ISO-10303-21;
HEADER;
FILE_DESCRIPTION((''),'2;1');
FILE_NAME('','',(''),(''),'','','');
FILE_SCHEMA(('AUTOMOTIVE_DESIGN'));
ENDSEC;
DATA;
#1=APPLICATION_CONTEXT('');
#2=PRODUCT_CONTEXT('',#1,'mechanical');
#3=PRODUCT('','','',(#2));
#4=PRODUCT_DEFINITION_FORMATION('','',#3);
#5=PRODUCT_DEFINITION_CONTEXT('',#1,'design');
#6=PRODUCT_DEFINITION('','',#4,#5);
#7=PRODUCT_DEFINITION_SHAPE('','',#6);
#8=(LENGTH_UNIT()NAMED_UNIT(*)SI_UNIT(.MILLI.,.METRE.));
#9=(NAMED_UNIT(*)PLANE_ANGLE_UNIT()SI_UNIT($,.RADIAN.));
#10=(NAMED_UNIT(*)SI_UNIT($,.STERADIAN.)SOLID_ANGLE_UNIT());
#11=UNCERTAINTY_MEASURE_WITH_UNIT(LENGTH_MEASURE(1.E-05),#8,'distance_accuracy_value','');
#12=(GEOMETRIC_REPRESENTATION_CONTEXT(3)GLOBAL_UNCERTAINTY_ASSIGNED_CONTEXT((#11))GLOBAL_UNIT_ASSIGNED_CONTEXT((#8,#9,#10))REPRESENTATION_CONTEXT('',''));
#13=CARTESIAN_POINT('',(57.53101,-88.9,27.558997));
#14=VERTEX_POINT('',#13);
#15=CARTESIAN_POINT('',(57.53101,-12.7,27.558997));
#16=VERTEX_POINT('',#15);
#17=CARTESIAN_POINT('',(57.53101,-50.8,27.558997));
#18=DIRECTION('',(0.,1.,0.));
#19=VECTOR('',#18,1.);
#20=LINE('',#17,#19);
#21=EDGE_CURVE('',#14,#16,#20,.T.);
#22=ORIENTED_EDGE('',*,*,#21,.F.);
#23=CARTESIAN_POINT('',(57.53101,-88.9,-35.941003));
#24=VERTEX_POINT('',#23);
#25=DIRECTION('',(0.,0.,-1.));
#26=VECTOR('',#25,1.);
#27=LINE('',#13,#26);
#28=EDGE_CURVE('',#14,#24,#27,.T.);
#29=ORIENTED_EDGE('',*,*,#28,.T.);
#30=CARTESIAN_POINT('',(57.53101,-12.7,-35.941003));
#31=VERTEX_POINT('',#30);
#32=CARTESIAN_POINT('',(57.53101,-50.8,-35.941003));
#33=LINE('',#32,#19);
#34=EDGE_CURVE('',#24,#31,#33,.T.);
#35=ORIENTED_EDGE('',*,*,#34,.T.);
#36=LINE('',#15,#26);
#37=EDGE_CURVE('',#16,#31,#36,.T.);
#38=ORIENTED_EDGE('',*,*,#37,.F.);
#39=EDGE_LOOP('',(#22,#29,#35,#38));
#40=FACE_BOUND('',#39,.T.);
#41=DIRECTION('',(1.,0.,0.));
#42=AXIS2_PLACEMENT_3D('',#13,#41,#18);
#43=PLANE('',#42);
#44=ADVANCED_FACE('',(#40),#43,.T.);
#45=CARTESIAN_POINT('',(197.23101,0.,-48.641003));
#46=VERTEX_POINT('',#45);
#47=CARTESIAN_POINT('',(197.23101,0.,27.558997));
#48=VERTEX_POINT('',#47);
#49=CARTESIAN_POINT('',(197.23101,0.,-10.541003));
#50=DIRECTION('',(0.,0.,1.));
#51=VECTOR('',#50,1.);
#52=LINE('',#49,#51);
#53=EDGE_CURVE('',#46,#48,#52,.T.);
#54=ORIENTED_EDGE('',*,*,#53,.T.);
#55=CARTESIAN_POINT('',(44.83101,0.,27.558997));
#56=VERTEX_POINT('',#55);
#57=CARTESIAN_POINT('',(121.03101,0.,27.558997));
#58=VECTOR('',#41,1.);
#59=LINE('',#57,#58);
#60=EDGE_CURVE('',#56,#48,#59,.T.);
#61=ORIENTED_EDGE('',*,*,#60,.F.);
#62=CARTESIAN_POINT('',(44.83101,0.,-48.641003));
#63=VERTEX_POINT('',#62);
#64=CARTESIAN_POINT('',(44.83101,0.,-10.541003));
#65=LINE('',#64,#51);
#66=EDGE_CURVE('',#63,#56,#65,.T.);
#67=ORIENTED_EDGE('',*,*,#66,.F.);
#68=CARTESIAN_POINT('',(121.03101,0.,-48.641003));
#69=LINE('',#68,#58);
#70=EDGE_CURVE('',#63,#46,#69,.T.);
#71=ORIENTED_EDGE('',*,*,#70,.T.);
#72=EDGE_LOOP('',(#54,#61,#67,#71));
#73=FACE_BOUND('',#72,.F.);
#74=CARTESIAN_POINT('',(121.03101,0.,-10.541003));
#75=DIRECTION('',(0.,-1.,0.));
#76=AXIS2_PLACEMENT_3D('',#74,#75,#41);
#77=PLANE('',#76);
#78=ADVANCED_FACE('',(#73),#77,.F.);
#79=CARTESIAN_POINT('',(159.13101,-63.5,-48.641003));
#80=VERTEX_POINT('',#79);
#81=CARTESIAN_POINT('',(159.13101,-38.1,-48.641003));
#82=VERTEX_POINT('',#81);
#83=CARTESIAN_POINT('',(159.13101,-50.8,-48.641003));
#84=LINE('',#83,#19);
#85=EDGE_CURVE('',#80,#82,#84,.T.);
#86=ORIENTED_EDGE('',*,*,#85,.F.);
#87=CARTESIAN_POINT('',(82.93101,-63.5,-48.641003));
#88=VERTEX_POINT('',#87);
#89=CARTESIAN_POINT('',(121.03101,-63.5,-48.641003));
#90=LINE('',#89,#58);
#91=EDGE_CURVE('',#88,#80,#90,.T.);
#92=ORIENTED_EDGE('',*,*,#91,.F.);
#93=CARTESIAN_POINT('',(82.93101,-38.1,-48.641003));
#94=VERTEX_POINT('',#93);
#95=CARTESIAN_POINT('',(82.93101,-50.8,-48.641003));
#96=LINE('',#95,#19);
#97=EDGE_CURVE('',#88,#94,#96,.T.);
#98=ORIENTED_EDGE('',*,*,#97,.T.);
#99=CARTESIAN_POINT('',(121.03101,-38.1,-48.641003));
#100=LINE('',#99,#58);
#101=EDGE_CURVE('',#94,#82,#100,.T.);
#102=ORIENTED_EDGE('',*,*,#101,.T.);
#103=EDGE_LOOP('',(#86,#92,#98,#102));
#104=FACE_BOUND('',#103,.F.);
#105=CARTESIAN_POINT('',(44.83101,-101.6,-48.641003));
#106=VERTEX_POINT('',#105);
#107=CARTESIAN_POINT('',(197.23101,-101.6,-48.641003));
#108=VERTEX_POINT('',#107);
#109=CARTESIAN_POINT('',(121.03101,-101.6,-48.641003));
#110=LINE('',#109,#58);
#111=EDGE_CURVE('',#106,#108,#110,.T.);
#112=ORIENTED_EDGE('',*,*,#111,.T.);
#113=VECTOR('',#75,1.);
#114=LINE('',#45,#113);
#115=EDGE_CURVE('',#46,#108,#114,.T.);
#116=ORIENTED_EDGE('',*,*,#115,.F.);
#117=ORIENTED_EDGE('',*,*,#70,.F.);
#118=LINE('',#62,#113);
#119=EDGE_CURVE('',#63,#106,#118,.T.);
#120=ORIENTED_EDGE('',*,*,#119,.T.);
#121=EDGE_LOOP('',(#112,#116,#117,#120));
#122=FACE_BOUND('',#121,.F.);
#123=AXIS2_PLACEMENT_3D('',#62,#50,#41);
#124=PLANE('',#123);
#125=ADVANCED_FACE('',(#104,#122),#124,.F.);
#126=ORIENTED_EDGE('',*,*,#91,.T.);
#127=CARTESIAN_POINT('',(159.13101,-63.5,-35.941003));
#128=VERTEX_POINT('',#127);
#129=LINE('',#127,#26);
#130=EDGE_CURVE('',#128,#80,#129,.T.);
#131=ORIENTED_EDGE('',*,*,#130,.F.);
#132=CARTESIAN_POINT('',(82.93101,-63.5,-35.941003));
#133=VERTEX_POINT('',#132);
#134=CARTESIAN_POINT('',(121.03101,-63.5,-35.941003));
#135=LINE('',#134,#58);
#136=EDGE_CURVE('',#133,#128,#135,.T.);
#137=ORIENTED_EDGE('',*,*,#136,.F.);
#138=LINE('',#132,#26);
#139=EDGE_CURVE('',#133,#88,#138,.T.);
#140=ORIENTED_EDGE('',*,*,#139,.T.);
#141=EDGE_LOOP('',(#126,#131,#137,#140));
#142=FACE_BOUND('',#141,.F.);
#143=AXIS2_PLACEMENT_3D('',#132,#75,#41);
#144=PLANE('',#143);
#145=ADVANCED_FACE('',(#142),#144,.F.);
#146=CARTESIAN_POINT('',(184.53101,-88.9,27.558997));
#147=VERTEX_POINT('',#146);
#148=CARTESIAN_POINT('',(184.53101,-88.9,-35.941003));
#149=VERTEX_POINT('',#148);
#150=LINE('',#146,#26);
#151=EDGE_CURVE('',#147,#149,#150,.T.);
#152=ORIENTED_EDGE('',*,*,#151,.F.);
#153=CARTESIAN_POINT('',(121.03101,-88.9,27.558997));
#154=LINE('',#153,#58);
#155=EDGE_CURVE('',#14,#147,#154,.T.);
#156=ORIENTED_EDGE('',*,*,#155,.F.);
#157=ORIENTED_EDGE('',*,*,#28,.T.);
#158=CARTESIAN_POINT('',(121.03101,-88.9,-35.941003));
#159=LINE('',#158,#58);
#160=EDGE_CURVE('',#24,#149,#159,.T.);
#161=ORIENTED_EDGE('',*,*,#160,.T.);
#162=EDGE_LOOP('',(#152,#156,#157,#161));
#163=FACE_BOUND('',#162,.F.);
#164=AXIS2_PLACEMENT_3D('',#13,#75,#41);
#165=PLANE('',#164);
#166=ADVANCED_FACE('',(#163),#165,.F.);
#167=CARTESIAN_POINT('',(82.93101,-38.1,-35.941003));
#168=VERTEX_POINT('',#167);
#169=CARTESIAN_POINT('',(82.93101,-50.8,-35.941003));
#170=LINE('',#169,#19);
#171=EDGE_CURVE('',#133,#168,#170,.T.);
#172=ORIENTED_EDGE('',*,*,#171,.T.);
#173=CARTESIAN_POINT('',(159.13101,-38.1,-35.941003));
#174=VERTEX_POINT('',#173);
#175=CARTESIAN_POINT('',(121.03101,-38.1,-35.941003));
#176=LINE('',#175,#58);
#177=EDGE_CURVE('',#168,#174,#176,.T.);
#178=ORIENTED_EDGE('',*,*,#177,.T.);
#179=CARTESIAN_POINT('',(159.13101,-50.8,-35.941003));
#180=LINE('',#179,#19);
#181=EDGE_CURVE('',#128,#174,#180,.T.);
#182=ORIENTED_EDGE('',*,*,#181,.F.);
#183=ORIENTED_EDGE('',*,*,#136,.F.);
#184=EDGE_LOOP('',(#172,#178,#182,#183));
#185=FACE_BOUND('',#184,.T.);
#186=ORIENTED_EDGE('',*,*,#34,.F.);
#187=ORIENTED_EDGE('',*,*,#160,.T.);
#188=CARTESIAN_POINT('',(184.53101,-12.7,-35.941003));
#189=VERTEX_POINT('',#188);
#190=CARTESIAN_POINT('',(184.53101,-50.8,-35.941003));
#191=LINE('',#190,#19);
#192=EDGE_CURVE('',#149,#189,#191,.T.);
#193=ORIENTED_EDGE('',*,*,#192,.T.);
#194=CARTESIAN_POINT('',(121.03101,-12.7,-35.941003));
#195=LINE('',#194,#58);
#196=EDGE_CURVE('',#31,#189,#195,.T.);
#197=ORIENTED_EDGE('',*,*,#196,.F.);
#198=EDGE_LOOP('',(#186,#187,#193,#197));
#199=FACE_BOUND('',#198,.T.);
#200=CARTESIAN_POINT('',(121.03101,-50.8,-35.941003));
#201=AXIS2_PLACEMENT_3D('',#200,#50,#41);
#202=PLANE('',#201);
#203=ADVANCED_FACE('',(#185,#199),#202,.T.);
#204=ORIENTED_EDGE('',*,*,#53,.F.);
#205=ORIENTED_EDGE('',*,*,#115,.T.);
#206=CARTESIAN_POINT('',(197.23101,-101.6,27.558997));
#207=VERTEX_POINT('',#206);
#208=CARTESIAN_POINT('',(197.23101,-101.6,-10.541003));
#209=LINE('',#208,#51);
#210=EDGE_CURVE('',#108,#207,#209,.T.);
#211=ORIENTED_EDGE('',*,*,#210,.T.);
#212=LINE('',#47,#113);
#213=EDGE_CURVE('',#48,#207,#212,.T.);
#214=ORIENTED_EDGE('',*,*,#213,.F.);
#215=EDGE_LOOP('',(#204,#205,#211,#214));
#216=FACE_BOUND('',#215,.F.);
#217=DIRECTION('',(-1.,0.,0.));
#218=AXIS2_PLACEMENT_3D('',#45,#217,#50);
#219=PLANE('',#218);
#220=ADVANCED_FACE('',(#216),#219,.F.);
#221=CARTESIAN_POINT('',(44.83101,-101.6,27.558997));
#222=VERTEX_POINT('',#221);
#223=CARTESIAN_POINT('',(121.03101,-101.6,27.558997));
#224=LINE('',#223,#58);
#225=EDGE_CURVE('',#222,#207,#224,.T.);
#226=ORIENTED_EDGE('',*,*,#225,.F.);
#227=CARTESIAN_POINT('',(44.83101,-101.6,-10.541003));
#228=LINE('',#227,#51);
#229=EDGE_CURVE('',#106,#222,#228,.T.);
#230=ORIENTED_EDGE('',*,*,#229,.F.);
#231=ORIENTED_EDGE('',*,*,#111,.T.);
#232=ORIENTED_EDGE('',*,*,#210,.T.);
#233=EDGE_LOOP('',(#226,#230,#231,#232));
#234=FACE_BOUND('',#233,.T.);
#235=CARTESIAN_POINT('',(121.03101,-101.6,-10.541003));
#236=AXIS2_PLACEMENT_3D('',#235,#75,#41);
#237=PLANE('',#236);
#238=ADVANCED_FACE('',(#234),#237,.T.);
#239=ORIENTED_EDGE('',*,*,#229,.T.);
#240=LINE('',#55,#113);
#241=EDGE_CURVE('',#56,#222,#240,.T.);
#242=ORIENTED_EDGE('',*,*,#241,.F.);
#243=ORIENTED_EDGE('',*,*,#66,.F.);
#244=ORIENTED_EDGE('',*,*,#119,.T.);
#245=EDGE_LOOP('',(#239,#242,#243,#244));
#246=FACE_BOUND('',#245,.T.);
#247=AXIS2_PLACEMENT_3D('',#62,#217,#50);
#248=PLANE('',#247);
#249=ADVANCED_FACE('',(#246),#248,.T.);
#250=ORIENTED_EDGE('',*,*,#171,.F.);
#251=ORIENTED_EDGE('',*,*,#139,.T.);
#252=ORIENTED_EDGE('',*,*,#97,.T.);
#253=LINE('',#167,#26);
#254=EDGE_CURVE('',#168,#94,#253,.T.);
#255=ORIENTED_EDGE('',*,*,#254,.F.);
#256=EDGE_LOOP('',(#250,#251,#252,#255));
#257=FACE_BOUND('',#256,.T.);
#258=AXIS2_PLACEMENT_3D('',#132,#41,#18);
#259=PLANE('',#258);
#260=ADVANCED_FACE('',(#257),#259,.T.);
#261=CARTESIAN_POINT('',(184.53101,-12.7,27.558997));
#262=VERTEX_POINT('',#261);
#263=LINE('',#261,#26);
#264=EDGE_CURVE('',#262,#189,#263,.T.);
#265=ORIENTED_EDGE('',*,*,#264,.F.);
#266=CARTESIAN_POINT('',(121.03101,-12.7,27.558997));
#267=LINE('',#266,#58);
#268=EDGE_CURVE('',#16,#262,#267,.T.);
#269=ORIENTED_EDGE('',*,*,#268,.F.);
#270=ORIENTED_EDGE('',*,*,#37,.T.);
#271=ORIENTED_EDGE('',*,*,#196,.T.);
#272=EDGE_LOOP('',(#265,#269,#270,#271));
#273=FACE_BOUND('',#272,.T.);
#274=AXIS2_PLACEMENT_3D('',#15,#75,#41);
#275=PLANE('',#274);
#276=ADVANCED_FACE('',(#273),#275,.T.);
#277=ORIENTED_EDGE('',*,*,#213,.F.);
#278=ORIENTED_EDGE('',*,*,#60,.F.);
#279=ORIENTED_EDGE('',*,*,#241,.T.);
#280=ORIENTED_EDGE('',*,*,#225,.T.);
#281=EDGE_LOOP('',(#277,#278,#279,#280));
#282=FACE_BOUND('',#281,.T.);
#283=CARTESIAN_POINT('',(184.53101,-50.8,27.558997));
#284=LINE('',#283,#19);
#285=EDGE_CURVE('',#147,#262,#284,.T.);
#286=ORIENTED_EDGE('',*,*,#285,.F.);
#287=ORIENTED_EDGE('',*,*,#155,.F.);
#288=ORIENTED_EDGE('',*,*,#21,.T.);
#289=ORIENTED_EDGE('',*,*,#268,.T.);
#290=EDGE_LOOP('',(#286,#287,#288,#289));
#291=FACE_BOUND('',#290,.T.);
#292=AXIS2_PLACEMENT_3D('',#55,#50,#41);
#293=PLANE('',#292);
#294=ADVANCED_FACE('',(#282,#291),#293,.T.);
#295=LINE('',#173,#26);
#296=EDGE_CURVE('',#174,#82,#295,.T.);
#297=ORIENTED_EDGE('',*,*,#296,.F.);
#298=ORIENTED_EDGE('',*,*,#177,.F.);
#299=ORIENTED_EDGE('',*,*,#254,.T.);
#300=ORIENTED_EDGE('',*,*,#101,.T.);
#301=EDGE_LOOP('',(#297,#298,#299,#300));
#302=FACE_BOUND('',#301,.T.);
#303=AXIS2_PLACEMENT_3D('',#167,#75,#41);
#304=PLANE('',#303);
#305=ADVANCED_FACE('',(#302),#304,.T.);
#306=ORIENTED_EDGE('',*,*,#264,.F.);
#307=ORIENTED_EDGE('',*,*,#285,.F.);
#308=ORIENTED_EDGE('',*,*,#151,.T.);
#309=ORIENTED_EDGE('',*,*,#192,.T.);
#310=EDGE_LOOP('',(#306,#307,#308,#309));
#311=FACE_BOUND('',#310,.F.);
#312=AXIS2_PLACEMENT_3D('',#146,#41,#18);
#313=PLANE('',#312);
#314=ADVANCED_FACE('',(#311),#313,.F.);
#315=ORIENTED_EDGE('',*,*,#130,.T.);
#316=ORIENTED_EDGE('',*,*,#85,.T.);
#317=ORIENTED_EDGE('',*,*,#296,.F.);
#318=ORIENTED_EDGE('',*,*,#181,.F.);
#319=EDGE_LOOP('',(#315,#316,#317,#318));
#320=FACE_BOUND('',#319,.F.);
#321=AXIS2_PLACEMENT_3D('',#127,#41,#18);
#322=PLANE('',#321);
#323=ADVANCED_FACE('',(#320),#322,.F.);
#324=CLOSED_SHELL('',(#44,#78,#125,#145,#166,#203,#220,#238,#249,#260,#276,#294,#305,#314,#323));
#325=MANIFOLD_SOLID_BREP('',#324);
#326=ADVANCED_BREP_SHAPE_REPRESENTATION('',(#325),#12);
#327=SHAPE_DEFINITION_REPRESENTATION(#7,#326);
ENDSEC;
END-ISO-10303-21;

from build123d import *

# Parameters (mm, degrees)
F0_W     = 152.4
F0_H     = 76.2
F1_DEPTH = 101.6
F2_W     = 127
F2_H     = 76.2
F3_DEPTH = 63.5
F4_W     = 76.2
F4_H     = 25.4
F5_DEPTH = 12.7


with BuildPart() as f1:
    # F0 (on Front) → F1 (new body)
    with BuildSketch(Plane.XZ):
        with Locations((121.03101, -10.541003)):
            Rectangle(F0_W, F0_H)
    extrude(amount=F1_DEPTH)

    # F2 (on face) → F3 (cut)
    with BuildSketch(Plane.XY.offset(27.558997)):
        with Locations((121.03101, -50.8)):
            Rectangle(F2_W, F2_H)
    extrude(amount=-F3_DEPTH, mode=Mode.SUBTRACT)

    # F4 (on face) → F5 (cut)
    with BuildSketch(Plane.XY.offset(-35.941003)):
        with Locations((121.03101, -50.8)):
            Rectangle(F4_W, F4_H)
    extrude(amount=-F5_DEPTH, mode=Mode.SUBTRACT)


solid = f1.part
